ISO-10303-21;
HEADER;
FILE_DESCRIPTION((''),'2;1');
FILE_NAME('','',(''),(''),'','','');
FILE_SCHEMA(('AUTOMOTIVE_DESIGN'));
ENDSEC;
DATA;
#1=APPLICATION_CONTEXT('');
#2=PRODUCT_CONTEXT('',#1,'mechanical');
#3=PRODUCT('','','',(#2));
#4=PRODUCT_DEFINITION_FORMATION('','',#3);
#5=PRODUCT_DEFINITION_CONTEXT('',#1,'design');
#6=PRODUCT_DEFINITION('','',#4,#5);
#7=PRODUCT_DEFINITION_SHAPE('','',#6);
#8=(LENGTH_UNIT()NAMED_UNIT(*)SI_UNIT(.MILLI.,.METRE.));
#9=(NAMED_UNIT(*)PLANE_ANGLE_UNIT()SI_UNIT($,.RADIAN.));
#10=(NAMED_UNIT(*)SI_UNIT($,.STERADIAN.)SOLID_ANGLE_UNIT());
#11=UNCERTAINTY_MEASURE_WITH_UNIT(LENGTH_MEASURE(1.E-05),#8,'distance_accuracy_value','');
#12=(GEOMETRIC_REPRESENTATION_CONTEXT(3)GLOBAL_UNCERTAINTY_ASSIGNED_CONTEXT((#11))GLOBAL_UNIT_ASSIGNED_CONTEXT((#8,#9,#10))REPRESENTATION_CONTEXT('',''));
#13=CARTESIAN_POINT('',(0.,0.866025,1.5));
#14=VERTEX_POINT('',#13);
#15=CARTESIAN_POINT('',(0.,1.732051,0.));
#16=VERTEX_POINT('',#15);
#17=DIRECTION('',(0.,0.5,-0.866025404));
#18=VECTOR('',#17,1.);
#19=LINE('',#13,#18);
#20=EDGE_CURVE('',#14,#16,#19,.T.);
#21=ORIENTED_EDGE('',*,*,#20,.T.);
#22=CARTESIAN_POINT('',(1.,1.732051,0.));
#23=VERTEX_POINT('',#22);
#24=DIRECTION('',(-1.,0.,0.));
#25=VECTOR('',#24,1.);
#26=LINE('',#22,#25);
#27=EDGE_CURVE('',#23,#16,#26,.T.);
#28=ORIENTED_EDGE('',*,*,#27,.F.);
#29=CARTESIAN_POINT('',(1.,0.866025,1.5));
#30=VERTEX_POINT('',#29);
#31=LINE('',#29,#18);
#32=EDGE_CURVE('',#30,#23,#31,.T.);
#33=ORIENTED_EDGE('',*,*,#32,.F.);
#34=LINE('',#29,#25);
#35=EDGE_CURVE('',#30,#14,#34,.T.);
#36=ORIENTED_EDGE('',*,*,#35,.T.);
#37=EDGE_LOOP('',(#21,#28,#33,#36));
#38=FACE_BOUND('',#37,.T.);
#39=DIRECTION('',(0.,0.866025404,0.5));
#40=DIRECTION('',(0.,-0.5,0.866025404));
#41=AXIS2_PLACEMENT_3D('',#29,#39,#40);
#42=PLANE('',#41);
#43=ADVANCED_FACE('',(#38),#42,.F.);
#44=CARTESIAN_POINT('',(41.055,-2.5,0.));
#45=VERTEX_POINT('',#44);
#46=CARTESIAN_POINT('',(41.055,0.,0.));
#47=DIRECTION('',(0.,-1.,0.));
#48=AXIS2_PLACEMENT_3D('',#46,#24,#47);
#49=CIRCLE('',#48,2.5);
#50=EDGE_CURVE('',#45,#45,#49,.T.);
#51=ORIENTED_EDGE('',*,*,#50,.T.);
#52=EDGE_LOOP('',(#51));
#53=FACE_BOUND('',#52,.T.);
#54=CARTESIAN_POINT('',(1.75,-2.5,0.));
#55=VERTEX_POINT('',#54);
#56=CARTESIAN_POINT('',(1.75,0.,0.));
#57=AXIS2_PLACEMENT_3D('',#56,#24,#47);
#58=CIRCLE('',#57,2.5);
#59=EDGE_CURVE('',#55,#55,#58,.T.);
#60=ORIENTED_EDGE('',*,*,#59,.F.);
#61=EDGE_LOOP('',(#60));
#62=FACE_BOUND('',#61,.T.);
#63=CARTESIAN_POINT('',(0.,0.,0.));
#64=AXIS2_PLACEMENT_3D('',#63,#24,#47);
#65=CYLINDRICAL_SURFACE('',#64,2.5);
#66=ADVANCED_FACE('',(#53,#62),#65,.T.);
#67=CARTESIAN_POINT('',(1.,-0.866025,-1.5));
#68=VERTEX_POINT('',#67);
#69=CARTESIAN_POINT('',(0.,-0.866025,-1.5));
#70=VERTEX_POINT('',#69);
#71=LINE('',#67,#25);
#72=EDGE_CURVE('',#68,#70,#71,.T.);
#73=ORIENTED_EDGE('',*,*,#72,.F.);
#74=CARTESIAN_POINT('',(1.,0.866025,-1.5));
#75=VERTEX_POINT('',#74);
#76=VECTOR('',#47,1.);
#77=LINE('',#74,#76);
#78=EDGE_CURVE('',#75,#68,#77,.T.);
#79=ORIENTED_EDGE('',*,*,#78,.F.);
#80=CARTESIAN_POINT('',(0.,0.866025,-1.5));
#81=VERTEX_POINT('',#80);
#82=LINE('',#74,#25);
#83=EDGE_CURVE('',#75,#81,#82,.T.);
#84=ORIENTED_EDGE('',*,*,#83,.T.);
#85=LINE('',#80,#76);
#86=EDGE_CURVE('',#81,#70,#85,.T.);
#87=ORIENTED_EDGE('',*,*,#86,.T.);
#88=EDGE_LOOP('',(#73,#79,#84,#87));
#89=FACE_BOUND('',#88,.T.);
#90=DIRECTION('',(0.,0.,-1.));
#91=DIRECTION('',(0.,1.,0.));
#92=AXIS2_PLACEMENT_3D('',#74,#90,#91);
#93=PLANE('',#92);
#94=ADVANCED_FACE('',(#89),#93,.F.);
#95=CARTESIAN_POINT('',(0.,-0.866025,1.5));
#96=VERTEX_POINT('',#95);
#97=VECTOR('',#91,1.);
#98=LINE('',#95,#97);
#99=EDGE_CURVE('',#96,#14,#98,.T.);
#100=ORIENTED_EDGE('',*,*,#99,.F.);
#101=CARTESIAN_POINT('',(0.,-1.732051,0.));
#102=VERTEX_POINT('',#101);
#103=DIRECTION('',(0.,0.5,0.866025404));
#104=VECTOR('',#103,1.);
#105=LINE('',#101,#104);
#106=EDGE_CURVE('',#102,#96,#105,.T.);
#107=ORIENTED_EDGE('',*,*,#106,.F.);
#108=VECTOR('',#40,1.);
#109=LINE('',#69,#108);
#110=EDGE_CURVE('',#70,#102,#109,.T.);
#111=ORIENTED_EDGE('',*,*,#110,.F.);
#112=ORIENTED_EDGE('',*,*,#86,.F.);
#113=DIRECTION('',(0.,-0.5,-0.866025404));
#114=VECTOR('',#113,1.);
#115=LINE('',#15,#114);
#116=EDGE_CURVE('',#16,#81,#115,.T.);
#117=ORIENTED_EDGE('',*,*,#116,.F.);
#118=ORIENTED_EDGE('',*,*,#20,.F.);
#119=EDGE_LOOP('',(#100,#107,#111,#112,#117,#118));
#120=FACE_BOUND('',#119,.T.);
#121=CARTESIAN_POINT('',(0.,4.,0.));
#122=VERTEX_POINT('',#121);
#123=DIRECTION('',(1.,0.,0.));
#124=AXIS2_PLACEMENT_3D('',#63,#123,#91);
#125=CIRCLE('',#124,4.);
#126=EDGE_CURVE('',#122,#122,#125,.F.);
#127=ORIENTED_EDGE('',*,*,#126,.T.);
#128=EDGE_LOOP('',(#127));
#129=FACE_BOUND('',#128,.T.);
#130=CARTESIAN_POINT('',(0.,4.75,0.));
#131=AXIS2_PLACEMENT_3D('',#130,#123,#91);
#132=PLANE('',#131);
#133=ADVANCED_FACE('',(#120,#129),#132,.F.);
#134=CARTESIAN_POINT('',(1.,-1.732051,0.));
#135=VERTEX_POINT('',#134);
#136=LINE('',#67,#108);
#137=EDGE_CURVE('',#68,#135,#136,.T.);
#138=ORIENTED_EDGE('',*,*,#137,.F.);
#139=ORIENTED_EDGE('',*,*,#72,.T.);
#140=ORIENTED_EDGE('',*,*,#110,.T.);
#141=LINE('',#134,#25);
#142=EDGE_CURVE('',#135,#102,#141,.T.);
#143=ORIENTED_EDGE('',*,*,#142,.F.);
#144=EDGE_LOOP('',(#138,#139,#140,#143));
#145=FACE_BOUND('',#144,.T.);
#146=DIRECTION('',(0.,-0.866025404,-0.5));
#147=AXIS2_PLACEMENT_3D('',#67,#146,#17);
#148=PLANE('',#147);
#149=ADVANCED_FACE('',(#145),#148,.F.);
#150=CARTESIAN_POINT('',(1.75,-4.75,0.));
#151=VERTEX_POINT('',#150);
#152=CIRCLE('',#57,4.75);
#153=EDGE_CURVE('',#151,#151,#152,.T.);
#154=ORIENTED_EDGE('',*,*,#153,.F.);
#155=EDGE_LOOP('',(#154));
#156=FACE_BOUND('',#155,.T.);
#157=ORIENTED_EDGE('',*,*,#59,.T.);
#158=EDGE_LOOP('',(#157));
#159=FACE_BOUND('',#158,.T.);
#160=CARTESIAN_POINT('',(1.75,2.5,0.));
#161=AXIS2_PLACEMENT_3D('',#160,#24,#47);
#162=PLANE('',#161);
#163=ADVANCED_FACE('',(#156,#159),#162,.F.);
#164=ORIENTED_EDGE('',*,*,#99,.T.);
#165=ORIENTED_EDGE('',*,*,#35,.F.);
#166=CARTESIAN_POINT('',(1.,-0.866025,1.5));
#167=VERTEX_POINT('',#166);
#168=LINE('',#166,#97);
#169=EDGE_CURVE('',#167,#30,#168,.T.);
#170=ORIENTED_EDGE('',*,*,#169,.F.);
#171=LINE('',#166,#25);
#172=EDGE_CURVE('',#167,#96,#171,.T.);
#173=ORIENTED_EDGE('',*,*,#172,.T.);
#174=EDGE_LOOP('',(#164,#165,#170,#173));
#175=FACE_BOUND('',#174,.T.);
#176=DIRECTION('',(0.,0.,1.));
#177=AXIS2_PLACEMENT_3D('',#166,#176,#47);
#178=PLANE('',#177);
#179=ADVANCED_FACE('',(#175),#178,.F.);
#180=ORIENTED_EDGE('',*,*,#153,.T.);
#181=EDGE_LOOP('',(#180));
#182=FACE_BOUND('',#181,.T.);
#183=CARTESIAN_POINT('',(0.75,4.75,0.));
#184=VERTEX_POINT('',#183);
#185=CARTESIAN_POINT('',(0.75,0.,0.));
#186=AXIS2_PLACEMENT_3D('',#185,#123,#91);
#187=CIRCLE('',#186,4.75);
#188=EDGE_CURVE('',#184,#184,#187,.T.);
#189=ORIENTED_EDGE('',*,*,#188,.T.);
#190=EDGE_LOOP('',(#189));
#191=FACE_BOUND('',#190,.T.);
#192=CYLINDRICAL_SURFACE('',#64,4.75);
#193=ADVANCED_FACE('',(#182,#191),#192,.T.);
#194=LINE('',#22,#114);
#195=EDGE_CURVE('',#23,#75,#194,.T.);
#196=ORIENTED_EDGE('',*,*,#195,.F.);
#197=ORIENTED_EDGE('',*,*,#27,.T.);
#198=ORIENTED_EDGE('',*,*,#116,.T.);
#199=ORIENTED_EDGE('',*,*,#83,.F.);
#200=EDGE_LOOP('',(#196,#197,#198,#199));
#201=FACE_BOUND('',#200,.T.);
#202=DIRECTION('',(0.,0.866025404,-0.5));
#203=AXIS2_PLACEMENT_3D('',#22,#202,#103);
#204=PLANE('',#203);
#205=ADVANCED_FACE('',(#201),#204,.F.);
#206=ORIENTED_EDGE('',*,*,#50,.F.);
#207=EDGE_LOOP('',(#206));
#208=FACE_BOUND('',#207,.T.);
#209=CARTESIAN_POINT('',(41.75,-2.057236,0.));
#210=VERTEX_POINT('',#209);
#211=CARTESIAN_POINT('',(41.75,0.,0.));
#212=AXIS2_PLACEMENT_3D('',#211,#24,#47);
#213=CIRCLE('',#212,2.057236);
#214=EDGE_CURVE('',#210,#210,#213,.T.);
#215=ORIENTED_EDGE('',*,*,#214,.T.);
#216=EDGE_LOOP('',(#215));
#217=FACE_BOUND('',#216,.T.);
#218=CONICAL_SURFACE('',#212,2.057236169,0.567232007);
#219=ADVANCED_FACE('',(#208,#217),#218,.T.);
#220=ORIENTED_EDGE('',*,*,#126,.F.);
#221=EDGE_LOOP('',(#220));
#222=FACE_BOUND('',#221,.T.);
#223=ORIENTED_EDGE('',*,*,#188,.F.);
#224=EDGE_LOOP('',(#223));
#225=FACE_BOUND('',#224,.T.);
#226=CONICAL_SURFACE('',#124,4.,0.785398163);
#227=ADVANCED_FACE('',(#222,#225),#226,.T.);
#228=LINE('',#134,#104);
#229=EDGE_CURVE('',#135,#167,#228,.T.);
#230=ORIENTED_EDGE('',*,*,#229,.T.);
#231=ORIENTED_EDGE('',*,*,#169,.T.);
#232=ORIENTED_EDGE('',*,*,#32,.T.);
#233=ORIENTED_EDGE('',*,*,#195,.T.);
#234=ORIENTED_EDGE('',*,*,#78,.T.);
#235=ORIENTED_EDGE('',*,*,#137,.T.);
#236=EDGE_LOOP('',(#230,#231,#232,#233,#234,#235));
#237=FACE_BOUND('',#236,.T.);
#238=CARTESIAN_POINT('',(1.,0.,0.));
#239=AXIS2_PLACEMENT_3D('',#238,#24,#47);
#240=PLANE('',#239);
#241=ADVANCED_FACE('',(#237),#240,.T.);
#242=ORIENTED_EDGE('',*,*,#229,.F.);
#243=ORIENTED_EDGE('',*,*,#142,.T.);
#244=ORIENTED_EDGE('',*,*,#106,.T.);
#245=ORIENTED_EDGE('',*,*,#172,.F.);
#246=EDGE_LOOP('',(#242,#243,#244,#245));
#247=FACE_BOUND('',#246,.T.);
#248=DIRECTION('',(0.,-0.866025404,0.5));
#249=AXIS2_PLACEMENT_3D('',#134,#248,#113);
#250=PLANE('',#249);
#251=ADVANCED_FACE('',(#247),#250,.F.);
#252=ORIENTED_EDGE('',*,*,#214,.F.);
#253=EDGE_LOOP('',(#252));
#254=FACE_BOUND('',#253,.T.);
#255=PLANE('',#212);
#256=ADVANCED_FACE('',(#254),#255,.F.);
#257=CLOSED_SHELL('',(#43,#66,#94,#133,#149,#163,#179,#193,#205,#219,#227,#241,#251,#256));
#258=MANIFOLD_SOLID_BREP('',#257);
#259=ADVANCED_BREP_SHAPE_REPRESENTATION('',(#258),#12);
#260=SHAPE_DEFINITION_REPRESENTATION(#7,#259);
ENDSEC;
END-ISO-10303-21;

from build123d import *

# Parameters (mm, degrees)
CUT_EXTRUDE1_DEPTH = 1
CHAMFER1_SIZE      = 0.75


with BuildPart() as part:
    # Sketch1 → Revolve1 (revolve)
    with BuildSketch(Plane.XY):
        Polygon((41.75, 0), (41.75, 2.057236169), (41.055, 2.5), (1.75, 2.5), (1.75, 4.75), (0, 4.75), (0, 0), align=None)
    revolve(axis=Axis((0, 0, 0), (1, 0, 0)))

    # Sketch5 → Cut-Extrude1 (cut)
    with BuildSketch(Plane.ZY):
        Polygon((1.5, -0.866025404), (1.5, 0.866025404), (0, 1.732050808), (-1.5, 0.866025404), (-1.5, -0.866025404), (0, -1.732050808), align=None)
    extrude(amount=-CUT_EXTRUDE1_DEPTH, mode=Mode.SUBTRACT)

    # Chamfer1
    chamfer1_edges = [part.edges().sort_by_distance(p)[0] for p in [
        (0, -4.75, 0),
    ]]
    chamfer(chamfer1_edges, length=CHAMFER1_SIZE)


solid = part.part
